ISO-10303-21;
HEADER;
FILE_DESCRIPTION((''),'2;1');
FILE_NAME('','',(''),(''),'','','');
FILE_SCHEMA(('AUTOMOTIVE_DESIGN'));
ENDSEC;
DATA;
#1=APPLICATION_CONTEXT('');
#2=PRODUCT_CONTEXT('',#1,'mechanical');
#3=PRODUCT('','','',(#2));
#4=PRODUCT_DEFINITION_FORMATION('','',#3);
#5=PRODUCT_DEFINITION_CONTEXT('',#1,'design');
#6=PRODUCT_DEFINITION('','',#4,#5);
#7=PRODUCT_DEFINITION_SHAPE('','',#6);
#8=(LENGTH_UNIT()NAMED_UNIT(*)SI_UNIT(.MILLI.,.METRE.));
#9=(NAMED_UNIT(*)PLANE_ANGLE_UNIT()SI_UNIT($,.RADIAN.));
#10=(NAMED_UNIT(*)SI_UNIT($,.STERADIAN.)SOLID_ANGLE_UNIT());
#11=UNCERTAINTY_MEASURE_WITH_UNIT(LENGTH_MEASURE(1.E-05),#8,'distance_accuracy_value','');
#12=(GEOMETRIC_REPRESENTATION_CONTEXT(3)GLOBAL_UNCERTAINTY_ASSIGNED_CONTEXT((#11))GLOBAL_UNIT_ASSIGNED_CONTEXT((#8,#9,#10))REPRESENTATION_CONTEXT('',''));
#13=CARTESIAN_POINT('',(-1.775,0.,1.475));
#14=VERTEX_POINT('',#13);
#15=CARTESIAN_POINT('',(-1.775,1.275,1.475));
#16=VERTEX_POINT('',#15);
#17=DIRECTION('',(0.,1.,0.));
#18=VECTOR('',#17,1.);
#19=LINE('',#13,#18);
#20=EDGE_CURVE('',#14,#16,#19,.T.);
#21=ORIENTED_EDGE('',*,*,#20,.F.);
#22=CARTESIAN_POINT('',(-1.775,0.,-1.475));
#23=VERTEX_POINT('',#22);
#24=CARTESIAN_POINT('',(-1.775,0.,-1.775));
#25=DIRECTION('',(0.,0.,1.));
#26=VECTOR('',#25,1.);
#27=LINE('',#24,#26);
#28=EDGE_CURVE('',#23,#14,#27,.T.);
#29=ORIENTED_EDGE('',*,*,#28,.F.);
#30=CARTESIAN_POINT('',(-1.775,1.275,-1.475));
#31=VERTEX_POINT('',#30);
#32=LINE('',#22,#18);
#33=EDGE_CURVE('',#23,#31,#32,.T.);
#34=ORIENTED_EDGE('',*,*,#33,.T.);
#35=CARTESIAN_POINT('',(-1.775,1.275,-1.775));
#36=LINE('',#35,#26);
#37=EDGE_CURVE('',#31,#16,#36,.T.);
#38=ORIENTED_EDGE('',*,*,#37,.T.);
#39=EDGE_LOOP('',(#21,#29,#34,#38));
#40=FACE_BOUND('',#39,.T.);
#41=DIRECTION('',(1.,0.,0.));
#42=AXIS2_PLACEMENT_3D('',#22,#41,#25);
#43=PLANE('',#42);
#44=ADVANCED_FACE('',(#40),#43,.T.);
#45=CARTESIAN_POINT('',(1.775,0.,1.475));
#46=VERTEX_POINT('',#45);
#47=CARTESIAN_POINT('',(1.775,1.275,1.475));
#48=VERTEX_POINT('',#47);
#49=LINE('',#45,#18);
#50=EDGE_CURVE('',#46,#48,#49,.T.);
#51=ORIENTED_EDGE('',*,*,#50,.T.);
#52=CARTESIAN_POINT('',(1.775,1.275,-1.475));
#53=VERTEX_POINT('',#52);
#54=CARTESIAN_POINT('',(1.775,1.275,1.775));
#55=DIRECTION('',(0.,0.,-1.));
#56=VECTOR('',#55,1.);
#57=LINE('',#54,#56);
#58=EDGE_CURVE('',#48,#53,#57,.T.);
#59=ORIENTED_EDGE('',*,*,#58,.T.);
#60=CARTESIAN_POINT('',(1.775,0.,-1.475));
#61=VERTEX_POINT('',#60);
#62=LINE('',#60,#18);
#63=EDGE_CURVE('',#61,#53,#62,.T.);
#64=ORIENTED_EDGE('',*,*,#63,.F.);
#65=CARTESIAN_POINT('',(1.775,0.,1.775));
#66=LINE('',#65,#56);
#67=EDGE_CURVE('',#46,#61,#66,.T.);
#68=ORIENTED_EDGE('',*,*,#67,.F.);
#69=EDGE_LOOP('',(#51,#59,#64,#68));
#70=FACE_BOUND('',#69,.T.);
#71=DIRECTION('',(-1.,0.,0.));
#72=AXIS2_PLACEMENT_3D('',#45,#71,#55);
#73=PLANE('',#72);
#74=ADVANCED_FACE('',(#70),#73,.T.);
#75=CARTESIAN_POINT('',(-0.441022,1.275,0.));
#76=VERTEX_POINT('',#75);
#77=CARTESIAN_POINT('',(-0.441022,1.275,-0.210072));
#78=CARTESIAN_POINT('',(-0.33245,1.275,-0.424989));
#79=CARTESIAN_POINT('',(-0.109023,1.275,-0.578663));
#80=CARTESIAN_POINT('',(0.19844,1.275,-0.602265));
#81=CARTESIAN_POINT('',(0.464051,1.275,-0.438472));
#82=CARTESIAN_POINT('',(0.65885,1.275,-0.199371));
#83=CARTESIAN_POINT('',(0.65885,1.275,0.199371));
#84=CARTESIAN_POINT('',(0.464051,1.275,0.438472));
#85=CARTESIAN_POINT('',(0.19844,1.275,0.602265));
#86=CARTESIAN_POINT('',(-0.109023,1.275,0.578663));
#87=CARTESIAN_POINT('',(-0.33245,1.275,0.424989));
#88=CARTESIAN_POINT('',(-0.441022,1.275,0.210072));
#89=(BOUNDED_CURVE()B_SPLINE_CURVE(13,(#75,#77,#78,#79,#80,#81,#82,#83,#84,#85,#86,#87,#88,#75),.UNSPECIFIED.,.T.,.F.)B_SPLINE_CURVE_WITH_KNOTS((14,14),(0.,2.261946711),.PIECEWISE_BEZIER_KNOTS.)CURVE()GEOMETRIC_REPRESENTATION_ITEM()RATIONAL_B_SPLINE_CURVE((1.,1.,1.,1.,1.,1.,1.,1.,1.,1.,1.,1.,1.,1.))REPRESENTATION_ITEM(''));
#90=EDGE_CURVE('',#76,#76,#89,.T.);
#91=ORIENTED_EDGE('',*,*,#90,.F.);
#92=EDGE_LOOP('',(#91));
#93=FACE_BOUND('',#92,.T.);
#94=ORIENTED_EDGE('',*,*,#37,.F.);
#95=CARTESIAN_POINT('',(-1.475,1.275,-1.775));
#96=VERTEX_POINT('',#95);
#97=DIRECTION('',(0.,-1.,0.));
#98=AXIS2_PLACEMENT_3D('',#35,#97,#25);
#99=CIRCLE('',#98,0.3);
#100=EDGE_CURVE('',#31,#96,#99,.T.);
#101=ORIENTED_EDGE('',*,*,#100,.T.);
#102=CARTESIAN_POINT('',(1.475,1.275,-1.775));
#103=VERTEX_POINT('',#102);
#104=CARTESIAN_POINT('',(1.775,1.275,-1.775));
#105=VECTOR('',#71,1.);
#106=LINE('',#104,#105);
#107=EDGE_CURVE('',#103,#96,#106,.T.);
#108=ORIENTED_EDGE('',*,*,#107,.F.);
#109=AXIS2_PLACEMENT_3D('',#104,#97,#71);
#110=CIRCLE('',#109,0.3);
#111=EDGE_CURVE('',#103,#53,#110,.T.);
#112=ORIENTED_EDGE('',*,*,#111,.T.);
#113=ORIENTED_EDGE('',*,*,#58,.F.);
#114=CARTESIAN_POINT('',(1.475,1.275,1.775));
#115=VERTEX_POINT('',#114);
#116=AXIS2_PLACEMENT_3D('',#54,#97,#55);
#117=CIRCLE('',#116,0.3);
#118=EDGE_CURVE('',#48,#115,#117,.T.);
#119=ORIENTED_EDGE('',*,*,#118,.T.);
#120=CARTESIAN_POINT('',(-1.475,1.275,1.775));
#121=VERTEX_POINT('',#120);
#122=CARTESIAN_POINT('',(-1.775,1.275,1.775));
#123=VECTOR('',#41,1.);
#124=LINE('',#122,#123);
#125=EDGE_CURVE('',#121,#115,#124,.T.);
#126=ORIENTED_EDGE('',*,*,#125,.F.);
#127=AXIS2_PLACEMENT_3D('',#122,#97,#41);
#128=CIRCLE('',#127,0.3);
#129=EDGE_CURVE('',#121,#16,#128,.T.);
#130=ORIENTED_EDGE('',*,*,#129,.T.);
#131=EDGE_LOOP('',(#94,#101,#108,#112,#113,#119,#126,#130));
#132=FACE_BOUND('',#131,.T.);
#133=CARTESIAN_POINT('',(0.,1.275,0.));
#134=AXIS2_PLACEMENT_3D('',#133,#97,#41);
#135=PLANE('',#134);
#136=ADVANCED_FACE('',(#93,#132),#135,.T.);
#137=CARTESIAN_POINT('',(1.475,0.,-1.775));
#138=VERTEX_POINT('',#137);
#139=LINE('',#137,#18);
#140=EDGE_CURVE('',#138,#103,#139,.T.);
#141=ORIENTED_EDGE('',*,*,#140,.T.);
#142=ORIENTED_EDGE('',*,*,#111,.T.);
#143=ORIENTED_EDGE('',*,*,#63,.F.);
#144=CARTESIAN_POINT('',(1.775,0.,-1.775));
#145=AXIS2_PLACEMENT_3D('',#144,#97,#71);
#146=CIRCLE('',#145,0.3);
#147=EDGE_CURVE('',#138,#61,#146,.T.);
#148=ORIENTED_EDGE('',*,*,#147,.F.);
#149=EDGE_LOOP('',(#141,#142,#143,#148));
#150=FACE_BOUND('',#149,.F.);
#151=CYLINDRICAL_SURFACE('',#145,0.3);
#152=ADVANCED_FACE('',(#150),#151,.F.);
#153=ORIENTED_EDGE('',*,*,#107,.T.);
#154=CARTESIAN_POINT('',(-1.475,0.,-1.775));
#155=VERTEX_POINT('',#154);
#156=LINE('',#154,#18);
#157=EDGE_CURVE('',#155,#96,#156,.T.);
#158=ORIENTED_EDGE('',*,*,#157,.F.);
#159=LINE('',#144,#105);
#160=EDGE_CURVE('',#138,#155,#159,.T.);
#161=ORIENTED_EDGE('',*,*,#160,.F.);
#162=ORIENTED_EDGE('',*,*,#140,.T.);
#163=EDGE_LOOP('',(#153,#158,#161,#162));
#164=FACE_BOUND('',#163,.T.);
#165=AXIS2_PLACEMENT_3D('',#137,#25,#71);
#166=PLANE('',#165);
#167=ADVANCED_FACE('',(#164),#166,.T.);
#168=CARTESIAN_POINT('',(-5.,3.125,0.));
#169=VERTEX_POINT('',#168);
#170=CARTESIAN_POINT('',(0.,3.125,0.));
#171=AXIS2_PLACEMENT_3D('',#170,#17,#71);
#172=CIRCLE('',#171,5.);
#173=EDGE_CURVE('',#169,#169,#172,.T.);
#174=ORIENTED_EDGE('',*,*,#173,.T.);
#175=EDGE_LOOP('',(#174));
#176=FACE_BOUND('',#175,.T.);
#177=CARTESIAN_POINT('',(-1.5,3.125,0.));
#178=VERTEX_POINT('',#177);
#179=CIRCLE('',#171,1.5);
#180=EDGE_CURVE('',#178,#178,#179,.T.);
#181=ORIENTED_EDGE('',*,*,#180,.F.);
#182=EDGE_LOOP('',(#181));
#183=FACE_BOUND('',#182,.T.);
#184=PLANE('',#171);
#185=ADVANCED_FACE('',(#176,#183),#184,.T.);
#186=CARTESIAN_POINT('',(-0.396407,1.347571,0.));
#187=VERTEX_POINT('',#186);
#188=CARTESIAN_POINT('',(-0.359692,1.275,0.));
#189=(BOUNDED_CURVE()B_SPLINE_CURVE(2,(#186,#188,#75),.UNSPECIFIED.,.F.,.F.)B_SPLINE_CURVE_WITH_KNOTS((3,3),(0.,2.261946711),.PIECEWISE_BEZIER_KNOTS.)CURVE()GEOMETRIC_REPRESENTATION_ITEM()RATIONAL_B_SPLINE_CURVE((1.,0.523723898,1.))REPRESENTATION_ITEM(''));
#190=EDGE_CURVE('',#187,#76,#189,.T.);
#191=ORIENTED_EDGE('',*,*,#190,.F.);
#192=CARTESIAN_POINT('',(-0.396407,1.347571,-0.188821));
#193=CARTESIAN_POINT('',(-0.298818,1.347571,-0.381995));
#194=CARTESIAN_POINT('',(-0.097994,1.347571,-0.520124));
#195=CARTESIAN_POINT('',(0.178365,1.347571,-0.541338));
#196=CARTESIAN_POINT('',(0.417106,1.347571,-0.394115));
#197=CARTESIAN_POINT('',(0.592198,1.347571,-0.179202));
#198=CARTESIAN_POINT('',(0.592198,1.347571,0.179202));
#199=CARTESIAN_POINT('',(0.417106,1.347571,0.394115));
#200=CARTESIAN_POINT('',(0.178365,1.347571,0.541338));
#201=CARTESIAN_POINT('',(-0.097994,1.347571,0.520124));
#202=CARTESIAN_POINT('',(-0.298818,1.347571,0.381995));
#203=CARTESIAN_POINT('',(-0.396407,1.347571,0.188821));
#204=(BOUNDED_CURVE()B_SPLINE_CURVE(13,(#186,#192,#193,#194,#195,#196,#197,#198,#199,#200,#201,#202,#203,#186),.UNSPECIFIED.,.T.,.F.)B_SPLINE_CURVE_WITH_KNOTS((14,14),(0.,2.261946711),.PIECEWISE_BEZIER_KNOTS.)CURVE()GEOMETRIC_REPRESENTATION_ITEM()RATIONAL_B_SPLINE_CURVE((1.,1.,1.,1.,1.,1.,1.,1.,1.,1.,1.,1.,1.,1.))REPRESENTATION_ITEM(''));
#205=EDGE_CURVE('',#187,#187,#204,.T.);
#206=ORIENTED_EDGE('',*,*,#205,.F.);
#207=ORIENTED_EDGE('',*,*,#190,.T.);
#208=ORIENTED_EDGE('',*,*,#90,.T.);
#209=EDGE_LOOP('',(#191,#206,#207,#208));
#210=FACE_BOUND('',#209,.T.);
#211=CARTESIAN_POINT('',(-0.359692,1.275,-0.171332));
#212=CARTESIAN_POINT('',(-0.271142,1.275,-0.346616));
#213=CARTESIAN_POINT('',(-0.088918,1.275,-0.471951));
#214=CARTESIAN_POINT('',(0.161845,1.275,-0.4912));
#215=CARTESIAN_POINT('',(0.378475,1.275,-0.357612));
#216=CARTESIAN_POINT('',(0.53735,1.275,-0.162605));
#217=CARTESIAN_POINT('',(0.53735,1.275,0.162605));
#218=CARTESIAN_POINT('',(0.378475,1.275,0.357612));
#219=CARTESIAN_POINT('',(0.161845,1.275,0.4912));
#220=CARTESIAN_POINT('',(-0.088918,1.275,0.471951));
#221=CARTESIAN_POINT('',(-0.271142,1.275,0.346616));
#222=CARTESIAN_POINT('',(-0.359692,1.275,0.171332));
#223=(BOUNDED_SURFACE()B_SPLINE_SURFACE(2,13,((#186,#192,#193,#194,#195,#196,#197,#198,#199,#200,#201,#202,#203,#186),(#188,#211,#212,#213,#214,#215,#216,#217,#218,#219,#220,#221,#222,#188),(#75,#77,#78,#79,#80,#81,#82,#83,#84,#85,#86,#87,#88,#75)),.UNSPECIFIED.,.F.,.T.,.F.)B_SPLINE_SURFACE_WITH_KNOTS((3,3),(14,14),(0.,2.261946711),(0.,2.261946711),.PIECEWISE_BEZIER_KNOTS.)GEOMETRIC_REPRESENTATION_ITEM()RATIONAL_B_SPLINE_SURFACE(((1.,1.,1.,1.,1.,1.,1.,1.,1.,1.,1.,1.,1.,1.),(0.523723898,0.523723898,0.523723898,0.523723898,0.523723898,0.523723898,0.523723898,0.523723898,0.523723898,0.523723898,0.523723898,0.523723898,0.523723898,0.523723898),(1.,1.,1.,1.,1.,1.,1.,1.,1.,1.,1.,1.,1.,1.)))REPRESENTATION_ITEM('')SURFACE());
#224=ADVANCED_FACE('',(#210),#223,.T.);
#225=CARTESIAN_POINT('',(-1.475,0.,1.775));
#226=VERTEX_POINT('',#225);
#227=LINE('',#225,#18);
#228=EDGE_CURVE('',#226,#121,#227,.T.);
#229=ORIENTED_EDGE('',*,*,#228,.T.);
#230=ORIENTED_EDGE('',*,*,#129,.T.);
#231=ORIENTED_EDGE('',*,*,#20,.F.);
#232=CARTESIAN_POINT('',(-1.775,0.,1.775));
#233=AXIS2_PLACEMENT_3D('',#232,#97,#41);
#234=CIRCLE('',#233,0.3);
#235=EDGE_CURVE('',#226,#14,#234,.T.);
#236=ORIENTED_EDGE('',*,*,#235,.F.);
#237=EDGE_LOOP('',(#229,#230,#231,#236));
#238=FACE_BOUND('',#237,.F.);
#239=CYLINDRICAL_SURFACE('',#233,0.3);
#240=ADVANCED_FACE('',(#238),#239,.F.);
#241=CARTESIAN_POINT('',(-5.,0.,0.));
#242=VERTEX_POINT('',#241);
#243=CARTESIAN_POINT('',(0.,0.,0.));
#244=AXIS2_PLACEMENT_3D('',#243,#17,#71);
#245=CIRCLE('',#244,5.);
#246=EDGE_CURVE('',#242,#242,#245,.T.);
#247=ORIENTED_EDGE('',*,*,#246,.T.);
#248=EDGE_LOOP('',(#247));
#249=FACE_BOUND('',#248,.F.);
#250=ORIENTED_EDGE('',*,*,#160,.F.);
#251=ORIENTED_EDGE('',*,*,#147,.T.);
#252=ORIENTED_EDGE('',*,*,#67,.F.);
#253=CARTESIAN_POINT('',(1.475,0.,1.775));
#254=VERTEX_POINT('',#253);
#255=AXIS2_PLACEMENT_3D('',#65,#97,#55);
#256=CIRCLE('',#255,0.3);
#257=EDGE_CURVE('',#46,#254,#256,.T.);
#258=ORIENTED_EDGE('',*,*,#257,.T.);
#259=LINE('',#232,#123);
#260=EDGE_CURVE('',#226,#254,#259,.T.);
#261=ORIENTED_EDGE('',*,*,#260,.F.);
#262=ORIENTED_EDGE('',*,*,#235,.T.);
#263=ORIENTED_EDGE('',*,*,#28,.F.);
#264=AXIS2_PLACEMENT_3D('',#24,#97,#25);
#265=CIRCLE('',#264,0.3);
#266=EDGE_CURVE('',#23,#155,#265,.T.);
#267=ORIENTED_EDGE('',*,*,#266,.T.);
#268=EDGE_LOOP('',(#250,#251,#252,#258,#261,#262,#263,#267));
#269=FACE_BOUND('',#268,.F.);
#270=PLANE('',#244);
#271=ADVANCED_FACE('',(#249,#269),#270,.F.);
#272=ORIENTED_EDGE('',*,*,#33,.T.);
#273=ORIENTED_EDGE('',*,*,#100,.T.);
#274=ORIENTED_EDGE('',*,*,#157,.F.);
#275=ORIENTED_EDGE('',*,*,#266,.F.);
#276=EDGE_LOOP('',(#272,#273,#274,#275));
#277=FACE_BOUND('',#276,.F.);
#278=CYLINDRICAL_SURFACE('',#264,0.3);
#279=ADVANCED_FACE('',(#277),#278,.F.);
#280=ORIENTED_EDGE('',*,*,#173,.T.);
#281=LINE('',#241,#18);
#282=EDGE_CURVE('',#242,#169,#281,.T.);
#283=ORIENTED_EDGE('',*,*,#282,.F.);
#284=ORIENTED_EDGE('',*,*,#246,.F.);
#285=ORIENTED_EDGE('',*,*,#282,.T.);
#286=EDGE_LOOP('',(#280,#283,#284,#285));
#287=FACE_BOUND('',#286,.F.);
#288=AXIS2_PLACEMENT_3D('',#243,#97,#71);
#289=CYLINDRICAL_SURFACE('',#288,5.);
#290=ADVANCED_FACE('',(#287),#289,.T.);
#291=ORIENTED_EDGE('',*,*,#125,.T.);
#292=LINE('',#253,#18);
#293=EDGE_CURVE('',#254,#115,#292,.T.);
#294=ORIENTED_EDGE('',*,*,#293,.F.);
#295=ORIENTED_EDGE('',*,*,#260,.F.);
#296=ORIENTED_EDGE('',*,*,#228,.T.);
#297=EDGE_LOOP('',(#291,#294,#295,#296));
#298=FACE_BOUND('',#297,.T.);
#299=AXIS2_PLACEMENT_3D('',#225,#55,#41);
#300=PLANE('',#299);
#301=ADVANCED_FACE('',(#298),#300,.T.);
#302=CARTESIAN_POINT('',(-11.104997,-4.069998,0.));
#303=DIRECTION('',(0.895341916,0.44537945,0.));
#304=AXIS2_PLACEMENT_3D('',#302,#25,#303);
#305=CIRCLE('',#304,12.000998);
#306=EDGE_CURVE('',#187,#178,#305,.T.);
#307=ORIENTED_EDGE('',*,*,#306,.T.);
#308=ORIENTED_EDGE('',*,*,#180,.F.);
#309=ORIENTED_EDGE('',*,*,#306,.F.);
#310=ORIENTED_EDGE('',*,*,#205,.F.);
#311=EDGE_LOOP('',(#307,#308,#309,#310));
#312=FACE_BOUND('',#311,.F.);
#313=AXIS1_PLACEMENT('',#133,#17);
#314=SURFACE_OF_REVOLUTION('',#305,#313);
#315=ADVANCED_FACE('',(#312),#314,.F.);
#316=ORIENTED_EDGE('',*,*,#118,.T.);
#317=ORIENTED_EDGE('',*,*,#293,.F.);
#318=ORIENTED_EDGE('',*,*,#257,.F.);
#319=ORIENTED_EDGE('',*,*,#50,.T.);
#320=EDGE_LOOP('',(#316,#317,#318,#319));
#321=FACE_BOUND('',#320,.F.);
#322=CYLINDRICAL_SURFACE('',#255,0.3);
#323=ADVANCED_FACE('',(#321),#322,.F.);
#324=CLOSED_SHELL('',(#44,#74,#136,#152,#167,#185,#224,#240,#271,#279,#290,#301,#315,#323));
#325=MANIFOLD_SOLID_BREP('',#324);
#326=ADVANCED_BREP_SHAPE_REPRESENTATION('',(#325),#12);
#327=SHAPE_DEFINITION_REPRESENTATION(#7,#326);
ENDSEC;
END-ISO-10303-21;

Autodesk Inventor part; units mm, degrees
ref_plane "YZ Plane" through (0, 0, 0) normal (1, 0, 0) x (0, 1, 0)
ref_plane "XZ Plane" through (0, 0, 0) normal (0, 1, 0) x (-1, 0, 0)
ref_plane "XY Plane" through (0, 0, 0) normal (0, 0, 1) x (1, 0, 0)
sketch "Sketch1" plane through (0, 0, 0) normal (0, 1, 0) x (-1, 0, 0)
  circle A0 centre (0, 0) radius 0.36
  circle A1 centre (0, 0) radius 5
  dimension "d0" = 0.72
  dimension "d2" = 10
extrude "Extrusion1" add sketch "Sketch1" along normal blind 3.125
sketch "Sketch2" plane through (0, 3.125, 0) normal (0, 1, 0) x (1, 0, 0)
  circle A0 centre (0, 0) radius 1.5
  dimension "d10" = 3
sketch "Sketch3" plane through (0, 0, 0) normal (0, -1, 0) x (1, 0, 0)
  line L0 (-1.775, 1.775) -> (1.775, 1.775)
  line L1 (1.775, 1.775) -> (1.775, -1.775)
  line L2 (1.775, -1.775) -> (-1.775, -1.775)
  line L3 (-1.775, -1.775) -> (-1.775, 1.775)
  line L4 (-1.775, 1.775) -> (1.775, -1.775) construction
  line L5 (1.775, 1.775) -> (-1.775, -1.775) construction
  arc A0 (1.775, 1.475) -> (1.475, 1.775) centre (1.775, 1.775) ccw
  arc A1 (1.475, -1.775) -> (1.775, -1.475) centre (1.775, -1.775) ccw
  arc A2 (-1.775, -1.475) -> (-1.475, -1.775) centre (-1.775, -1.775) ccw
  arc A3 (-1.475, 1.775) -> (-1.775, 1.475) centre (-1.775, 1.775) ccw
  point P0 (0, 0)
  dimension "d11" = 0.3
  dimension "d13" = 3.55
extrude "Extrusion2" cut sketch "Sketch3" against normal blind 1.275
sketch "Sketch5" plane through (0, 0, 0) normal (0, 0, 1) x (1, 0, 0)
  line L0 (-0.36, 1.275) -> (0.36, 1.275) projected
  line L1 (5, 3.125) -> (-5, 3.125) projected
  arc A0 (-0.36, 1.275) -> (-1.5, 3.125) centre (-11.1041, -4.0695) ccw
  line L2 (0, 1.275) -> (0, 3.125)
  line L3 (0.36, 1.275) -> (0, 1.275)
  line L4 (0.36, 3.125) -> (0.36, 1.275) projected
  line L5 (0.36, 3.125) -> (-1.5, 3.125)
  point P0 (0, 0)
  dimension "d17" = 1.5
  dimension "d23" = 12
revolve "Revolution1" cut sketch "Sketch5" angle 360 about axis through (0, 1.275, 0) along (0, 1, 0) contours A0 L1 L2 L0
fillet "Fillet1" radius 0.05 1 edges at (0.36, 1.275, 0)
equation "\"d17\" = 0.5 * d10"
properties part number "Acoustic Horn 45deg V1"
